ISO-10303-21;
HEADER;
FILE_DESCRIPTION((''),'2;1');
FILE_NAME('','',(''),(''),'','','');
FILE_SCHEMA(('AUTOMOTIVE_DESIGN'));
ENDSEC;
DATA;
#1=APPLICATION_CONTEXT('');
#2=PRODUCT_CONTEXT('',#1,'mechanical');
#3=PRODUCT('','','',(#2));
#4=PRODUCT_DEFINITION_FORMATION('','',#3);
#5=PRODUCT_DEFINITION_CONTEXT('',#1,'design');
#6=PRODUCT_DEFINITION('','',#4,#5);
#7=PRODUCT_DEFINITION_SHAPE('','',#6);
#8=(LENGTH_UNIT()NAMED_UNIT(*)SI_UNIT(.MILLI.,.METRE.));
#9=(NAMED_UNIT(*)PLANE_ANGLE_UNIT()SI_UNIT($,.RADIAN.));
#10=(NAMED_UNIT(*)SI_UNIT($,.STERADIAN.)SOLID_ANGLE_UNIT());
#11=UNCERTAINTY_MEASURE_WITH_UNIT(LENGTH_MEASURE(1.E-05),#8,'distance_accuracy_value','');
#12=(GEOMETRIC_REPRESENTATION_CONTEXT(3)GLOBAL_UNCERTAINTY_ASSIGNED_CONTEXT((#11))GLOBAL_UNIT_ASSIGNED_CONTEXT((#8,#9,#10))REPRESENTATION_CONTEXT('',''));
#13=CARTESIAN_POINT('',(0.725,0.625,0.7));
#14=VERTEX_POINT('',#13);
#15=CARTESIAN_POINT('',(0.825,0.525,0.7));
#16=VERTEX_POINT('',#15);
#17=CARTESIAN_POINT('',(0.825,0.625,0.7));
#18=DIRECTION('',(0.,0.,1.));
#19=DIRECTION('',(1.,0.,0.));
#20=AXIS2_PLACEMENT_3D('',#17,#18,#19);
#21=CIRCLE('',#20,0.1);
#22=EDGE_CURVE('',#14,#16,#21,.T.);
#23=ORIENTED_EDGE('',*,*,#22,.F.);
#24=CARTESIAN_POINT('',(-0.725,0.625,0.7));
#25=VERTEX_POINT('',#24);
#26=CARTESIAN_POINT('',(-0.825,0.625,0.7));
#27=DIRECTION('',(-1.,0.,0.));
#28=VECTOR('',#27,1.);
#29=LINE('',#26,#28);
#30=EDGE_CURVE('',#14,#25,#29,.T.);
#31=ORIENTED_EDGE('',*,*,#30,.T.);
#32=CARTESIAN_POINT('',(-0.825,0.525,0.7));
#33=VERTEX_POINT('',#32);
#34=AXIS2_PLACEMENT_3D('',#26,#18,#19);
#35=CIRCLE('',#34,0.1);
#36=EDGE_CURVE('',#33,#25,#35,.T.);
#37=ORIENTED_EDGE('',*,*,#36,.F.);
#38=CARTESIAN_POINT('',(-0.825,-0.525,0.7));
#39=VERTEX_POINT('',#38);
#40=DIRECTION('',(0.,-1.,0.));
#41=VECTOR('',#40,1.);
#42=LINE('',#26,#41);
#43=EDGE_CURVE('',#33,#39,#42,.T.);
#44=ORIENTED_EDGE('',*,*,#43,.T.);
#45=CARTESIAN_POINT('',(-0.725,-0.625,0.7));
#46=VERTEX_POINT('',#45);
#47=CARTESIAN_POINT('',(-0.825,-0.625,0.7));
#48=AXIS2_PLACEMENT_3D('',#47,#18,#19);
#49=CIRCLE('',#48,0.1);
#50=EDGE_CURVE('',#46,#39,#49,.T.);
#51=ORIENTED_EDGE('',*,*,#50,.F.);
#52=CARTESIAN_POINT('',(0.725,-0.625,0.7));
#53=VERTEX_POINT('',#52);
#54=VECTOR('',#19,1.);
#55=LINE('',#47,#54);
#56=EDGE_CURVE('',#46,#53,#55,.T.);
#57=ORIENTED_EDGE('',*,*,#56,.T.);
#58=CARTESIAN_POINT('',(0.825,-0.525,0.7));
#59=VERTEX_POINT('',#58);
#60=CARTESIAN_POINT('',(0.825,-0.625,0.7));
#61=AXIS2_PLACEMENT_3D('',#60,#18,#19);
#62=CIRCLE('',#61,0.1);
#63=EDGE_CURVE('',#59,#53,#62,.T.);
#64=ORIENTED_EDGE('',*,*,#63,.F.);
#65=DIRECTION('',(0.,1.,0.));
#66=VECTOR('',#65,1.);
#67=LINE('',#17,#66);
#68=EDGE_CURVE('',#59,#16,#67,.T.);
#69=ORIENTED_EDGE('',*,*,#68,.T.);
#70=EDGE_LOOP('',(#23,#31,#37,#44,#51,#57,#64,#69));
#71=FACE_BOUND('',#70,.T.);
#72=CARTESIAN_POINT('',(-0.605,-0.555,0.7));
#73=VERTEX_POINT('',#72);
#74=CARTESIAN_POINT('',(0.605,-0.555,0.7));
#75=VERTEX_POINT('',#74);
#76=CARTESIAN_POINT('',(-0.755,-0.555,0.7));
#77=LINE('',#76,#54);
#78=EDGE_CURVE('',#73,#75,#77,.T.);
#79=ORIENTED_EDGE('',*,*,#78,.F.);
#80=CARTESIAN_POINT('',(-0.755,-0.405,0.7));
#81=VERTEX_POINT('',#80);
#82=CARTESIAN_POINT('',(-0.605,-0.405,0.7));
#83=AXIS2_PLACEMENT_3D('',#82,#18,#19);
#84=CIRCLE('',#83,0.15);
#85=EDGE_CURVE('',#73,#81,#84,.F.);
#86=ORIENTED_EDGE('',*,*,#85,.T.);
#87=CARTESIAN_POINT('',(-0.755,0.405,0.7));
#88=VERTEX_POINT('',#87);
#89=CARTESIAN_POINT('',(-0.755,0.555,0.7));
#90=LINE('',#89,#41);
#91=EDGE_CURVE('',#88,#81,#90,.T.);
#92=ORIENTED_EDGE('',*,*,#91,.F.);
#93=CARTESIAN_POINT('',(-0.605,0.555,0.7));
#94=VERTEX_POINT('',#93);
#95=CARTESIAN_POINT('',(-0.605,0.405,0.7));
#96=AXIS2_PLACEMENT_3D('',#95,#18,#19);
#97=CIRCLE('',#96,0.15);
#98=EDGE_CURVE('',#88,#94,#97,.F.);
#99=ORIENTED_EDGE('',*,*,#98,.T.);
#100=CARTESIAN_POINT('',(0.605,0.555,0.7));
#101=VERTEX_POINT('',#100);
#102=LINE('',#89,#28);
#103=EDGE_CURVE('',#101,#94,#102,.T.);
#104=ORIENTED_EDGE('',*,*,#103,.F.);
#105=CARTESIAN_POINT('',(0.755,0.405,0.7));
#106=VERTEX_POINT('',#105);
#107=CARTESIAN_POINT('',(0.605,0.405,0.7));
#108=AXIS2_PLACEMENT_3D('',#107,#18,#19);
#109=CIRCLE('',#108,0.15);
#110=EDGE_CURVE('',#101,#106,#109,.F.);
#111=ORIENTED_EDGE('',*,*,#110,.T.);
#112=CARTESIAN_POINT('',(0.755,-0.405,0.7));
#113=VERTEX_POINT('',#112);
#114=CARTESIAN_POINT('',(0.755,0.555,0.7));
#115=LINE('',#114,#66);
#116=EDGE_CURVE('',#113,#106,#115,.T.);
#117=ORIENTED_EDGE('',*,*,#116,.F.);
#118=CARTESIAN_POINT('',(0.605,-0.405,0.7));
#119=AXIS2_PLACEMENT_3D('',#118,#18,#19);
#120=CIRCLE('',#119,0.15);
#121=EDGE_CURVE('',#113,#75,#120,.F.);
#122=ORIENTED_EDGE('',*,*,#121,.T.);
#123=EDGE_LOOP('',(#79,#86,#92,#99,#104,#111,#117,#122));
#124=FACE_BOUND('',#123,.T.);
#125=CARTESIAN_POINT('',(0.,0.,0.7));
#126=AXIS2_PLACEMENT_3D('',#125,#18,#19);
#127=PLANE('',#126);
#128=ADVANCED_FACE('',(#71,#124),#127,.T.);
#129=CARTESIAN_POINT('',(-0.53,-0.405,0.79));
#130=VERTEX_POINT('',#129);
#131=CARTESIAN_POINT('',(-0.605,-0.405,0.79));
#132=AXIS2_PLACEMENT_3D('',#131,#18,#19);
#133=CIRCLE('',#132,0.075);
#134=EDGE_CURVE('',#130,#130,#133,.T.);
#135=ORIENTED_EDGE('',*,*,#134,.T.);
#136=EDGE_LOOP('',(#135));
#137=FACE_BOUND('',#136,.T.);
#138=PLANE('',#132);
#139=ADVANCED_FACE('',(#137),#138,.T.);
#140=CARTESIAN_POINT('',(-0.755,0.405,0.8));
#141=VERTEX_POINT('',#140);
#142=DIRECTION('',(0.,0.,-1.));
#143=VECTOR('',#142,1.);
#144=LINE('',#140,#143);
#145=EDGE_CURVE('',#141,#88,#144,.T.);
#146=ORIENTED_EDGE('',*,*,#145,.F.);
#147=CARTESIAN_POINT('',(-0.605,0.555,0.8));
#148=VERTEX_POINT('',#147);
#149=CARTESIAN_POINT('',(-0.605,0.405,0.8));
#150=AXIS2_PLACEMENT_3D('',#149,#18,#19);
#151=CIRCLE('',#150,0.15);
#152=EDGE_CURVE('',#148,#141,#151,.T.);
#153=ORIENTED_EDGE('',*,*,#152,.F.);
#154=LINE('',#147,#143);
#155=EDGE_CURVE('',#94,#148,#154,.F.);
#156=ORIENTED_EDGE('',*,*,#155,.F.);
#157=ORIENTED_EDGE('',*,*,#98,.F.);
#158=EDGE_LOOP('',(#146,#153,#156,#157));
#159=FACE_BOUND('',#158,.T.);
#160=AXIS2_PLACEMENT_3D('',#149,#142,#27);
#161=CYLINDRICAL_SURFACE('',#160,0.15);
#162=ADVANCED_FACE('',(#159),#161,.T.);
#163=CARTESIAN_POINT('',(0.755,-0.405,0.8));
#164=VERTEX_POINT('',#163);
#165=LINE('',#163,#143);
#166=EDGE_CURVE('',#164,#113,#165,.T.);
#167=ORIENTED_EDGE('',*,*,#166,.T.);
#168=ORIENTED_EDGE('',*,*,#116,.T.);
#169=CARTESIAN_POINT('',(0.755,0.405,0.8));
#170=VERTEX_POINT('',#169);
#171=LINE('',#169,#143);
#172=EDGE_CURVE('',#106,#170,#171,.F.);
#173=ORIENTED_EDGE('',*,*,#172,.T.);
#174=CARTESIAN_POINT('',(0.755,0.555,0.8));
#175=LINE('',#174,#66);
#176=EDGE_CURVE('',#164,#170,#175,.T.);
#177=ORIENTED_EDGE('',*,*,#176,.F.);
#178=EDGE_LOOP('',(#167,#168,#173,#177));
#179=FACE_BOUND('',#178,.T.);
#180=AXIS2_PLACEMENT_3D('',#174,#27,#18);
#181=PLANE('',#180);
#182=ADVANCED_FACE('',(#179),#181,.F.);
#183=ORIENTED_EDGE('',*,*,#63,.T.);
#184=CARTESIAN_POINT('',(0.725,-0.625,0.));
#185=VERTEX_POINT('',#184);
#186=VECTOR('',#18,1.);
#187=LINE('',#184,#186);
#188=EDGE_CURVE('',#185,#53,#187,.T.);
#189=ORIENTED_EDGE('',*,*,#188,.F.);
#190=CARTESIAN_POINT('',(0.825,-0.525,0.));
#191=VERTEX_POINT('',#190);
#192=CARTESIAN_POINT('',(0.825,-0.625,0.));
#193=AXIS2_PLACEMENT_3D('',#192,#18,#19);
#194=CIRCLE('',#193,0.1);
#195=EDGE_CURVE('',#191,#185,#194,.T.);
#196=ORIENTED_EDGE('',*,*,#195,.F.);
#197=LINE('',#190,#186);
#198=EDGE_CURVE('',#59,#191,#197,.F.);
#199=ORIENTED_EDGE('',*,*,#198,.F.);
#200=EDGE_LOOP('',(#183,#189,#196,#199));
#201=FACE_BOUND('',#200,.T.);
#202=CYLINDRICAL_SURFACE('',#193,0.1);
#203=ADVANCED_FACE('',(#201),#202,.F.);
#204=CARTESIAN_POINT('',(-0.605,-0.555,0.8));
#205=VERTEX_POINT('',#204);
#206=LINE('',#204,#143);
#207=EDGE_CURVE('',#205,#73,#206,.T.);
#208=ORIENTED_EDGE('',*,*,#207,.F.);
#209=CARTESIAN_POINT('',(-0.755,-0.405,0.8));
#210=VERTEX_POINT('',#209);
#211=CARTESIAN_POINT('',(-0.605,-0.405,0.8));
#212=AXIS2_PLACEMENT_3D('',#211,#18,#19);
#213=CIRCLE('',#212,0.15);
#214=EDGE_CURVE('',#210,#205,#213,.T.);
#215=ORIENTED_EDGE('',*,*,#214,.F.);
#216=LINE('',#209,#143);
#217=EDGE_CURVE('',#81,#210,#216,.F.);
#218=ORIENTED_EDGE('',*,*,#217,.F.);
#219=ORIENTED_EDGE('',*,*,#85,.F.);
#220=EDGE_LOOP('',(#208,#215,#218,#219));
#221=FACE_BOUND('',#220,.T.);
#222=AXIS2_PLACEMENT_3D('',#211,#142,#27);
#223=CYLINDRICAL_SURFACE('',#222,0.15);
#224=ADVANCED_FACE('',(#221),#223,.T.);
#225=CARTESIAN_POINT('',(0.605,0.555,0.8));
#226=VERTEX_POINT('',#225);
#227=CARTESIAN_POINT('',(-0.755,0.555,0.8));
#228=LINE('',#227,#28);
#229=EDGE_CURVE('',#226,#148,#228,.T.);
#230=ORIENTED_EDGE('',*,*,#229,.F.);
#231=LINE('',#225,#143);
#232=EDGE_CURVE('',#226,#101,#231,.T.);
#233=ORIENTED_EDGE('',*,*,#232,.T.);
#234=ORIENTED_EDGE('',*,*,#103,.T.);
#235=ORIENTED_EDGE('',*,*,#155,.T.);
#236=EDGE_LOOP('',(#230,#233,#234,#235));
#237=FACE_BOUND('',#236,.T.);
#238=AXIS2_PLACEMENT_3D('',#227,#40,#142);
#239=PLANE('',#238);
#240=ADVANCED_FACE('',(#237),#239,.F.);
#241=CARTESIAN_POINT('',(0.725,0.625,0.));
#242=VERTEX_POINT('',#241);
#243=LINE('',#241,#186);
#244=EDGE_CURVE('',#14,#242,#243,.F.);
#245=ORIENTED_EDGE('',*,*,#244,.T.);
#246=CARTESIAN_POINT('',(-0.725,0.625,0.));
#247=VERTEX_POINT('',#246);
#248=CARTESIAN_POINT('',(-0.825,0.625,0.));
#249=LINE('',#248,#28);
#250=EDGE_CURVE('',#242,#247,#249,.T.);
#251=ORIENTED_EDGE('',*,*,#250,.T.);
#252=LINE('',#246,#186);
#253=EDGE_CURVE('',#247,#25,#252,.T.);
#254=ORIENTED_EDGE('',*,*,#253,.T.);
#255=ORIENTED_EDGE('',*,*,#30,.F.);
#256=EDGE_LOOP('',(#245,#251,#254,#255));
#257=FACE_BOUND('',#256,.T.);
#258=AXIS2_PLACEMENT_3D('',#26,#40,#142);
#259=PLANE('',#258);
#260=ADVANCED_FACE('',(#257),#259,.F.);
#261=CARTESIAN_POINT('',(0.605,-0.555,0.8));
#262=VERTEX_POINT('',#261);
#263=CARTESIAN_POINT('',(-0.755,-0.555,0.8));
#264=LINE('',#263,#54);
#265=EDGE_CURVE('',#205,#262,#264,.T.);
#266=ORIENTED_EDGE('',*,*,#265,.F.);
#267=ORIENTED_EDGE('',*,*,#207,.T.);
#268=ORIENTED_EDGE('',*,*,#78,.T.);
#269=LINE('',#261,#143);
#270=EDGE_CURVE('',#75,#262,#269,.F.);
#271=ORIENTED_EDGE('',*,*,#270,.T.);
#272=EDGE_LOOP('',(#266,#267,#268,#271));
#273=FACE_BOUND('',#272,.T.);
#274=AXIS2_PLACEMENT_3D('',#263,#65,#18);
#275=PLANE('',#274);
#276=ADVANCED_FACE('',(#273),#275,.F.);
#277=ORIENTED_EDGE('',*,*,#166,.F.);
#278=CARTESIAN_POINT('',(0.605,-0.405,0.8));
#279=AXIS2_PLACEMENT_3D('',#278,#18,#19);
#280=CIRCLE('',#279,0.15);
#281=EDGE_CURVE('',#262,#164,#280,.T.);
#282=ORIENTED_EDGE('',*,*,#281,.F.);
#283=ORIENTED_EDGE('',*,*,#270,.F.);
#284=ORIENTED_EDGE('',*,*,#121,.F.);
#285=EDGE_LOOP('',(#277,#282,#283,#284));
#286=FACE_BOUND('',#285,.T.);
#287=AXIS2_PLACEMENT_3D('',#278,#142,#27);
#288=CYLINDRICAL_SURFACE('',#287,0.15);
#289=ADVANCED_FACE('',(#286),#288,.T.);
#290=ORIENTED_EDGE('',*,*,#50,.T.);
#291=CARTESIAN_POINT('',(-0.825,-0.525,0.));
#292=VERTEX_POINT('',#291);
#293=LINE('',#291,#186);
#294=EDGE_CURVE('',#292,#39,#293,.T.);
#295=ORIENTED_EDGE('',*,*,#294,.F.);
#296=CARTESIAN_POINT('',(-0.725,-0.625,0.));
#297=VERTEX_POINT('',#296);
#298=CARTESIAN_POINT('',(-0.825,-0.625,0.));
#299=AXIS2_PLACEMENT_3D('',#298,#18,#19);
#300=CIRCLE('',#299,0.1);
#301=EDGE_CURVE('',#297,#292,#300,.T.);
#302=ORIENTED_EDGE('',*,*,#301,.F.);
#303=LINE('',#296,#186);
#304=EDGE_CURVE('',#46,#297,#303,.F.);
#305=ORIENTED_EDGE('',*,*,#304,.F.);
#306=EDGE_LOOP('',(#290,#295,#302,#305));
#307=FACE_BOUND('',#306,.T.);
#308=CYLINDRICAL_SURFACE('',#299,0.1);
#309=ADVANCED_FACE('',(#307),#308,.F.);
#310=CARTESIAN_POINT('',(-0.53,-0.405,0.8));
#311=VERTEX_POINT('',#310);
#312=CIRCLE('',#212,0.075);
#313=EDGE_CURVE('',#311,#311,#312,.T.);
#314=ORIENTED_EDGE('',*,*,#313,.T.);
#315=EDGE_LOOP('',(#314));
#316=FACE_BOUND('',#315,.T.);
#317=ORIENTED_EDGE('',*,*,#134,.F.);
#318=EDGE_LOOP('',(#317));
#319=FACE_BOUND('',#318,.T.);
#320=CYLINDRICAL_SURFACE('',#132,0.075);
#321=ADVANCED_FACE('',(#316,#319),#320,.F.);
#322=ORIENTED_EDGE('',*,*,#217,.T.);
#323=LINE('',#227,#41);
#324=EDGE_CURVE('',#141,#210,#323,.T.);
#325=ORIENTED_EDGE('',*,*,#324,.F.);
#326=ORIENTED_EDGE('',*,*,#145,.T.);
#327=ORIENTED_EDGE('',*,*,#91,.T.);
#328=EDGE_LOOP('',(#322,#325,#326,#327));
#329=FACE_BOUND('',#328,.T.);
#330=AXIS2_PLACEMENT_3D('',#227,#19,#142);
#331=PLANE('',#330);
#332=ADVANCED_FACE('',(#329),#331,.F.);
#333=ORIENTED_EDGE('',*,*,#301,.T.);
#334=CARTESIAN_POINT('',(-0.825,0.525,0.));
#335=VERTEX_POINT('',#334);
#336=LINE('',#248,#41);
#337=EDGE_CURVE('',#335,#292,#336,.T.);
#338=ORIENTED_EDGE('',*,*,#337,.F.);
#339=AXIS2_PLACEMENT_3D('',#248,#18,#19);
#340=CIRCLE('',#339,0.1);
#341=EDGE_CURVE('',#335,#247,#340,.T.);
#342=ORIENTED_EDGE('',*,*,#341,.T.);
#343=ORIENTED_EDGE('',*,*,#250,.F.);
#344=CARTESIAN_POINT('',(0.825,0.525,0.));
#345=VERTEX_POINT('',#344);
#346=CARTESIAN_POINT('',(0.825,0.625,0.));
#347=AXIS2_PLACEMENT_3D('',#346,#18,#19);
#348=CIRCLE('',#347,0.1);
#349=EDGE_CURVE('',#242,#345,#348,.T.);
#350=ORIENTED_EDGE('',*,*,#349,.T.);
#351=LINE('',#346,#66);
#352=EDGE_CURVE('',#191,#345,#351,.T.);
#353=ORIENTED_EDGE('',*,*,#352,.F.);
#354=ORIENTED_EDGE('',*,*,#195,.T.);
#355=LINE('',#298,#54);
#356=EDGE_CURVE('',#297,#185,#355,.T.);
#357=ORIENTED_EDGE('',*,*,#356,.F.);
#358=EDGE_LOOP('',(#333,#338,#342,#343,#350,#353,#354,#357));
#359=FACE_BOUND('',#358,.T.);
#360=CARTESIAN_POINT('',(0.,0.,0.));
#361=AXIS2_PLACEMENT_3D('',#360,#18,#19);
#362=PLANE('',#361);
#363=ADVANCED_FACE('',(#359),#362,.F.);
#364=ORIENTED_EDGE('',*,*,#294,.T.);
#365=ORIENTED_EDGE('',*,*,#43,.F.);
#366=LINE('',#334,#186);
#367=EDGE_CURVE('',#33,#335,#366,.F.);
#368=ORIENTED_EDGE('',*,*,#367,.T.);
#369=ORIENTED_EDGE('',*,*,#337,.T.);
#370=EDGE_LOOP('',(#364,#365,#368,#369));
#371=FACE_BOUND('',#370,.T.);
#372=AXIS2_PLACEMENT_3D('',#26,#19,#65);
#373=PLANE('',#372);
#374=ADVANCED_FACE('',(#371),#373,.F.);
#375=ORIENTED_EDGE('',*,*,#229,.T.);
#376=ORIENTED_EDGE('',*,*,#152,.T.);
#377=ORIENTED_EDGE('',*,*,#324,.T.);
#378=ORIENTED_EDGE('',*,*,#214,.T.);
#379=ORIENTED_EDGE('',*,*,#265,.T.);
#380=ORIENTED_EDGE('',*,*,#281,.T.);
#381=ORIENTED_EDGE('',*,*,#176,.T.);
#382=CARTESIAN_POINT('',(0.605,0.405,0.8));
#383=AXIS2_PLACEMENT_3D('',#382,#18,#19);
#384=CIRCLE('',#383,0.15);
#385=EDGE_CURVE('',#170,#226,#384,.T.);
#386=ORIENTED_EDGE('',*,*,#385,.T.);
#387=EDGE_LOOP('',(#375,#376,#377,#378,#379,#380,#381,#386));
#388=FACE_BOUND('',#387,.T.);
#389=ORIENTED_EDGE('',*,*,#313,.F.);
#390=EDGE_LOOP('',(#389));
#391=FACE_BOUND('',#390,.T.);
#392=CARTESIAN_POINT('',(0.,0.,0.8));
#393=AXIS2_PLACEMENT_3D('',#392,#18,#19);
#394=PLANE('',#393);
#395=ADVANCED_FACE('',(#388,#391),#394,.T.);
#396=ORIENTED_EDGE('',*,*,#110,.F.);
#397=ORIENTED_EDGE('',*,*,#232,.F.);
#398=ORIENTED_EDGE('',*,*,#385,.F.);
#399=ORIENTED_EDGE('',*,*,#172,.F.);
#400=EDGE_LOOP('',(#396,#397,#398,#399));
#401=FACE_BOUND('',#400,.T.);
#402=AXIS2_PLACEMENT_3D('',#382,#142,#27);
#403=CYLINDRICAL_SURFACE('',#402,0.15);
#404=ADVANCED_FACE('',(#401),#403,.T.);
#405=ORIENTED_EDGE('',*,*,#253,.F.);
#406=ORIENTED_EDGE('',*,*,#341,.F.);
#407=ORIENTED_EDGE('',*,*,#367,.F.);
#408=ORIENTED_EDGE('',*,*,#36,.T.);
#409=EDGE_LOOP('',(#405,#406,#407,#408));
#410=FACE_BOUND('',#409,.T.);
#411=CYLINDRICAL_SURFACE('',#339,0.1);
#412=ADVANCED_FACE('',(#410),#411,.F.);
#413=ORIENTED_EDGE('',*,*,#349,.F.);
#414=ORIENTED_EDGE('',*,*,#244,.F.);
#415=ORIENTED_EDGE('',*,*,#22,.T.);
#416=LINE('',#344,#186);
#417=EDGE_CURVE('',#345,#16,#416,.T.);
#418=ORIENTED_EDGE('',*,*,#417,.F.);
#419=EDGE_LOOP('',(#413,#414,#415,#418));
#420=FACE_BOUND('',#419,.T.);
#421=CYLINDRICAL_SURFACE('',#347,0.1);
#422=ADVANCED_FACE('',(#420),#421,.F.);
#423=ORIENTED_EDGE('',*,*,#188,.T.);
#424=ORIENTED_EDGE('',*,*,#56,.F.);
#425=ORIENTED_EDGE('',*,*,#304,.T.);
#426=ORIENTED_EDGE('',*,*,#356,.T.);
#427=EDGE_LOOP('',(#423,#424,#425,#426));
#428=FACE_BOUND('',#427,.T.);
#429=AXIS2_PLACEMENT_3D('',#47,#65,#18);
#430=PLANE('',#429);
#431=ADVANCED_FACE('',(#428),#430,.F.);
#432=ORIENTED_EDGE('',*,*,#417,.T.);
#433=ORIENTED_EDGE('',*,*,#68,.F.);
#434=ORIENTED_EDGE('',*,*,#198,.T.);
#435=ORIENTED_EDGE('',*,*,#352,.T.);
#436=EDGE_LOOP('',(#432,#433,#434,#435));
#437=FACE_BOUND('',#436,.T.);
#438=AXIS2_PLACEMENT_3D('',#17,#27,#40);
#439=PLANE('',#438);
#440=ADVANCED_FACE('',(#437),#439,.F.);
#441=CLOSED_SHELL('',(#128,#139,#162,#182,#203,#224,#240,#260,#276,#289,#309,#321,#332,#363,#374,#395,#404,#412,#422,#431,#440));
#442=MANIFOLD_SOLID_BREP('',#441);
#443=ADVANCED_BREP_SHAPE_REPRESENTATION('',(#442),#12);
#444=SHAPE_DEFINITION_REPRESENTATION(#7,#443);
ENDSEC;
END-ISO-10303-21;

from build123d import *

# Parameters (mm, degrees)
SKETCH1_W           = 1.65
SKETCH1_H           = 1.25
BOSS_EXTRUDE1_DEPTH = 0.7
SKETCH2_W           = 1.51
SKETCH2_H           = 1.11
BOSS_EXTRUDE2_DEPTH = 0.1
FILLET1_R           = 0.15
SKETCH3_R           = 0.1
CUT_EXTRUDE1_DEPTH  = 2.2494999
SKETCH4_R           = 0.075
CUT_EXTRUDE2_DEPTH  = 0.01


with BuildPart() as part:
    # Sketch1 → Boss-Extrude1 (new body)
    with BuildSketch(Plane.XY):
        Rectangle(SKETCH1_W, SKETCH1_H)
    extrude(amount=BOSS_EXTRUDE1_DEPTH)

    # Sketch2 → Boss-Extrude2 (add)
    with BuildSketch(Plane.XY.offset(0.7)):
        Rectangle(SKETCH2_W, SKETCH2_H)
    extrude(amount=BOSS_EXTRUDE2_DEPTH)

    # Fillet1
    fillet1_edges = [part.edges().sort_by_distance(p)[0] for p in [
        (0.755, -0.555, 0.75),
        (0.755, 0.555, 0.75),
        (-0.755, 0.555, 0.75),
        (-0.755, -0.555, 0.75),
    ]]
    fillet(fillet1_edges, radius=FILLET1_R)

    # Sketch3 → Cut-Extrude1 (cut, through all)
    with BuildSketch(Plane.XY.offset(0.7)):
        with Locations((-0.825, 0.625)):
            Circle(SKETCH3_R)
        with Locations((0.825, 0.625)):
            Circle(SKETCH3_R)
        with Locations((0.825, -0.625)):
            Circle(SKETCH3_R)
        with Locations((-0.825, -0.625)):
            Circle(SKETCH3_R)
    extrude(amount=-CUT_EXTRUDE1_DEPTH, mode=Mode.SUBTRACT)

    # Sketch4 → Cut-Extrude2 (cut)
    with BuildSketch(Plane.XY.offset(0.8)):
        with Locations((-0.605, -0.405)):
            Circle(SKETCH4_R)
    extrude(amount=-CUT_EXTRUDE2_DEPTH, mode=Mode.SUBTRACT)


solid = part.part
